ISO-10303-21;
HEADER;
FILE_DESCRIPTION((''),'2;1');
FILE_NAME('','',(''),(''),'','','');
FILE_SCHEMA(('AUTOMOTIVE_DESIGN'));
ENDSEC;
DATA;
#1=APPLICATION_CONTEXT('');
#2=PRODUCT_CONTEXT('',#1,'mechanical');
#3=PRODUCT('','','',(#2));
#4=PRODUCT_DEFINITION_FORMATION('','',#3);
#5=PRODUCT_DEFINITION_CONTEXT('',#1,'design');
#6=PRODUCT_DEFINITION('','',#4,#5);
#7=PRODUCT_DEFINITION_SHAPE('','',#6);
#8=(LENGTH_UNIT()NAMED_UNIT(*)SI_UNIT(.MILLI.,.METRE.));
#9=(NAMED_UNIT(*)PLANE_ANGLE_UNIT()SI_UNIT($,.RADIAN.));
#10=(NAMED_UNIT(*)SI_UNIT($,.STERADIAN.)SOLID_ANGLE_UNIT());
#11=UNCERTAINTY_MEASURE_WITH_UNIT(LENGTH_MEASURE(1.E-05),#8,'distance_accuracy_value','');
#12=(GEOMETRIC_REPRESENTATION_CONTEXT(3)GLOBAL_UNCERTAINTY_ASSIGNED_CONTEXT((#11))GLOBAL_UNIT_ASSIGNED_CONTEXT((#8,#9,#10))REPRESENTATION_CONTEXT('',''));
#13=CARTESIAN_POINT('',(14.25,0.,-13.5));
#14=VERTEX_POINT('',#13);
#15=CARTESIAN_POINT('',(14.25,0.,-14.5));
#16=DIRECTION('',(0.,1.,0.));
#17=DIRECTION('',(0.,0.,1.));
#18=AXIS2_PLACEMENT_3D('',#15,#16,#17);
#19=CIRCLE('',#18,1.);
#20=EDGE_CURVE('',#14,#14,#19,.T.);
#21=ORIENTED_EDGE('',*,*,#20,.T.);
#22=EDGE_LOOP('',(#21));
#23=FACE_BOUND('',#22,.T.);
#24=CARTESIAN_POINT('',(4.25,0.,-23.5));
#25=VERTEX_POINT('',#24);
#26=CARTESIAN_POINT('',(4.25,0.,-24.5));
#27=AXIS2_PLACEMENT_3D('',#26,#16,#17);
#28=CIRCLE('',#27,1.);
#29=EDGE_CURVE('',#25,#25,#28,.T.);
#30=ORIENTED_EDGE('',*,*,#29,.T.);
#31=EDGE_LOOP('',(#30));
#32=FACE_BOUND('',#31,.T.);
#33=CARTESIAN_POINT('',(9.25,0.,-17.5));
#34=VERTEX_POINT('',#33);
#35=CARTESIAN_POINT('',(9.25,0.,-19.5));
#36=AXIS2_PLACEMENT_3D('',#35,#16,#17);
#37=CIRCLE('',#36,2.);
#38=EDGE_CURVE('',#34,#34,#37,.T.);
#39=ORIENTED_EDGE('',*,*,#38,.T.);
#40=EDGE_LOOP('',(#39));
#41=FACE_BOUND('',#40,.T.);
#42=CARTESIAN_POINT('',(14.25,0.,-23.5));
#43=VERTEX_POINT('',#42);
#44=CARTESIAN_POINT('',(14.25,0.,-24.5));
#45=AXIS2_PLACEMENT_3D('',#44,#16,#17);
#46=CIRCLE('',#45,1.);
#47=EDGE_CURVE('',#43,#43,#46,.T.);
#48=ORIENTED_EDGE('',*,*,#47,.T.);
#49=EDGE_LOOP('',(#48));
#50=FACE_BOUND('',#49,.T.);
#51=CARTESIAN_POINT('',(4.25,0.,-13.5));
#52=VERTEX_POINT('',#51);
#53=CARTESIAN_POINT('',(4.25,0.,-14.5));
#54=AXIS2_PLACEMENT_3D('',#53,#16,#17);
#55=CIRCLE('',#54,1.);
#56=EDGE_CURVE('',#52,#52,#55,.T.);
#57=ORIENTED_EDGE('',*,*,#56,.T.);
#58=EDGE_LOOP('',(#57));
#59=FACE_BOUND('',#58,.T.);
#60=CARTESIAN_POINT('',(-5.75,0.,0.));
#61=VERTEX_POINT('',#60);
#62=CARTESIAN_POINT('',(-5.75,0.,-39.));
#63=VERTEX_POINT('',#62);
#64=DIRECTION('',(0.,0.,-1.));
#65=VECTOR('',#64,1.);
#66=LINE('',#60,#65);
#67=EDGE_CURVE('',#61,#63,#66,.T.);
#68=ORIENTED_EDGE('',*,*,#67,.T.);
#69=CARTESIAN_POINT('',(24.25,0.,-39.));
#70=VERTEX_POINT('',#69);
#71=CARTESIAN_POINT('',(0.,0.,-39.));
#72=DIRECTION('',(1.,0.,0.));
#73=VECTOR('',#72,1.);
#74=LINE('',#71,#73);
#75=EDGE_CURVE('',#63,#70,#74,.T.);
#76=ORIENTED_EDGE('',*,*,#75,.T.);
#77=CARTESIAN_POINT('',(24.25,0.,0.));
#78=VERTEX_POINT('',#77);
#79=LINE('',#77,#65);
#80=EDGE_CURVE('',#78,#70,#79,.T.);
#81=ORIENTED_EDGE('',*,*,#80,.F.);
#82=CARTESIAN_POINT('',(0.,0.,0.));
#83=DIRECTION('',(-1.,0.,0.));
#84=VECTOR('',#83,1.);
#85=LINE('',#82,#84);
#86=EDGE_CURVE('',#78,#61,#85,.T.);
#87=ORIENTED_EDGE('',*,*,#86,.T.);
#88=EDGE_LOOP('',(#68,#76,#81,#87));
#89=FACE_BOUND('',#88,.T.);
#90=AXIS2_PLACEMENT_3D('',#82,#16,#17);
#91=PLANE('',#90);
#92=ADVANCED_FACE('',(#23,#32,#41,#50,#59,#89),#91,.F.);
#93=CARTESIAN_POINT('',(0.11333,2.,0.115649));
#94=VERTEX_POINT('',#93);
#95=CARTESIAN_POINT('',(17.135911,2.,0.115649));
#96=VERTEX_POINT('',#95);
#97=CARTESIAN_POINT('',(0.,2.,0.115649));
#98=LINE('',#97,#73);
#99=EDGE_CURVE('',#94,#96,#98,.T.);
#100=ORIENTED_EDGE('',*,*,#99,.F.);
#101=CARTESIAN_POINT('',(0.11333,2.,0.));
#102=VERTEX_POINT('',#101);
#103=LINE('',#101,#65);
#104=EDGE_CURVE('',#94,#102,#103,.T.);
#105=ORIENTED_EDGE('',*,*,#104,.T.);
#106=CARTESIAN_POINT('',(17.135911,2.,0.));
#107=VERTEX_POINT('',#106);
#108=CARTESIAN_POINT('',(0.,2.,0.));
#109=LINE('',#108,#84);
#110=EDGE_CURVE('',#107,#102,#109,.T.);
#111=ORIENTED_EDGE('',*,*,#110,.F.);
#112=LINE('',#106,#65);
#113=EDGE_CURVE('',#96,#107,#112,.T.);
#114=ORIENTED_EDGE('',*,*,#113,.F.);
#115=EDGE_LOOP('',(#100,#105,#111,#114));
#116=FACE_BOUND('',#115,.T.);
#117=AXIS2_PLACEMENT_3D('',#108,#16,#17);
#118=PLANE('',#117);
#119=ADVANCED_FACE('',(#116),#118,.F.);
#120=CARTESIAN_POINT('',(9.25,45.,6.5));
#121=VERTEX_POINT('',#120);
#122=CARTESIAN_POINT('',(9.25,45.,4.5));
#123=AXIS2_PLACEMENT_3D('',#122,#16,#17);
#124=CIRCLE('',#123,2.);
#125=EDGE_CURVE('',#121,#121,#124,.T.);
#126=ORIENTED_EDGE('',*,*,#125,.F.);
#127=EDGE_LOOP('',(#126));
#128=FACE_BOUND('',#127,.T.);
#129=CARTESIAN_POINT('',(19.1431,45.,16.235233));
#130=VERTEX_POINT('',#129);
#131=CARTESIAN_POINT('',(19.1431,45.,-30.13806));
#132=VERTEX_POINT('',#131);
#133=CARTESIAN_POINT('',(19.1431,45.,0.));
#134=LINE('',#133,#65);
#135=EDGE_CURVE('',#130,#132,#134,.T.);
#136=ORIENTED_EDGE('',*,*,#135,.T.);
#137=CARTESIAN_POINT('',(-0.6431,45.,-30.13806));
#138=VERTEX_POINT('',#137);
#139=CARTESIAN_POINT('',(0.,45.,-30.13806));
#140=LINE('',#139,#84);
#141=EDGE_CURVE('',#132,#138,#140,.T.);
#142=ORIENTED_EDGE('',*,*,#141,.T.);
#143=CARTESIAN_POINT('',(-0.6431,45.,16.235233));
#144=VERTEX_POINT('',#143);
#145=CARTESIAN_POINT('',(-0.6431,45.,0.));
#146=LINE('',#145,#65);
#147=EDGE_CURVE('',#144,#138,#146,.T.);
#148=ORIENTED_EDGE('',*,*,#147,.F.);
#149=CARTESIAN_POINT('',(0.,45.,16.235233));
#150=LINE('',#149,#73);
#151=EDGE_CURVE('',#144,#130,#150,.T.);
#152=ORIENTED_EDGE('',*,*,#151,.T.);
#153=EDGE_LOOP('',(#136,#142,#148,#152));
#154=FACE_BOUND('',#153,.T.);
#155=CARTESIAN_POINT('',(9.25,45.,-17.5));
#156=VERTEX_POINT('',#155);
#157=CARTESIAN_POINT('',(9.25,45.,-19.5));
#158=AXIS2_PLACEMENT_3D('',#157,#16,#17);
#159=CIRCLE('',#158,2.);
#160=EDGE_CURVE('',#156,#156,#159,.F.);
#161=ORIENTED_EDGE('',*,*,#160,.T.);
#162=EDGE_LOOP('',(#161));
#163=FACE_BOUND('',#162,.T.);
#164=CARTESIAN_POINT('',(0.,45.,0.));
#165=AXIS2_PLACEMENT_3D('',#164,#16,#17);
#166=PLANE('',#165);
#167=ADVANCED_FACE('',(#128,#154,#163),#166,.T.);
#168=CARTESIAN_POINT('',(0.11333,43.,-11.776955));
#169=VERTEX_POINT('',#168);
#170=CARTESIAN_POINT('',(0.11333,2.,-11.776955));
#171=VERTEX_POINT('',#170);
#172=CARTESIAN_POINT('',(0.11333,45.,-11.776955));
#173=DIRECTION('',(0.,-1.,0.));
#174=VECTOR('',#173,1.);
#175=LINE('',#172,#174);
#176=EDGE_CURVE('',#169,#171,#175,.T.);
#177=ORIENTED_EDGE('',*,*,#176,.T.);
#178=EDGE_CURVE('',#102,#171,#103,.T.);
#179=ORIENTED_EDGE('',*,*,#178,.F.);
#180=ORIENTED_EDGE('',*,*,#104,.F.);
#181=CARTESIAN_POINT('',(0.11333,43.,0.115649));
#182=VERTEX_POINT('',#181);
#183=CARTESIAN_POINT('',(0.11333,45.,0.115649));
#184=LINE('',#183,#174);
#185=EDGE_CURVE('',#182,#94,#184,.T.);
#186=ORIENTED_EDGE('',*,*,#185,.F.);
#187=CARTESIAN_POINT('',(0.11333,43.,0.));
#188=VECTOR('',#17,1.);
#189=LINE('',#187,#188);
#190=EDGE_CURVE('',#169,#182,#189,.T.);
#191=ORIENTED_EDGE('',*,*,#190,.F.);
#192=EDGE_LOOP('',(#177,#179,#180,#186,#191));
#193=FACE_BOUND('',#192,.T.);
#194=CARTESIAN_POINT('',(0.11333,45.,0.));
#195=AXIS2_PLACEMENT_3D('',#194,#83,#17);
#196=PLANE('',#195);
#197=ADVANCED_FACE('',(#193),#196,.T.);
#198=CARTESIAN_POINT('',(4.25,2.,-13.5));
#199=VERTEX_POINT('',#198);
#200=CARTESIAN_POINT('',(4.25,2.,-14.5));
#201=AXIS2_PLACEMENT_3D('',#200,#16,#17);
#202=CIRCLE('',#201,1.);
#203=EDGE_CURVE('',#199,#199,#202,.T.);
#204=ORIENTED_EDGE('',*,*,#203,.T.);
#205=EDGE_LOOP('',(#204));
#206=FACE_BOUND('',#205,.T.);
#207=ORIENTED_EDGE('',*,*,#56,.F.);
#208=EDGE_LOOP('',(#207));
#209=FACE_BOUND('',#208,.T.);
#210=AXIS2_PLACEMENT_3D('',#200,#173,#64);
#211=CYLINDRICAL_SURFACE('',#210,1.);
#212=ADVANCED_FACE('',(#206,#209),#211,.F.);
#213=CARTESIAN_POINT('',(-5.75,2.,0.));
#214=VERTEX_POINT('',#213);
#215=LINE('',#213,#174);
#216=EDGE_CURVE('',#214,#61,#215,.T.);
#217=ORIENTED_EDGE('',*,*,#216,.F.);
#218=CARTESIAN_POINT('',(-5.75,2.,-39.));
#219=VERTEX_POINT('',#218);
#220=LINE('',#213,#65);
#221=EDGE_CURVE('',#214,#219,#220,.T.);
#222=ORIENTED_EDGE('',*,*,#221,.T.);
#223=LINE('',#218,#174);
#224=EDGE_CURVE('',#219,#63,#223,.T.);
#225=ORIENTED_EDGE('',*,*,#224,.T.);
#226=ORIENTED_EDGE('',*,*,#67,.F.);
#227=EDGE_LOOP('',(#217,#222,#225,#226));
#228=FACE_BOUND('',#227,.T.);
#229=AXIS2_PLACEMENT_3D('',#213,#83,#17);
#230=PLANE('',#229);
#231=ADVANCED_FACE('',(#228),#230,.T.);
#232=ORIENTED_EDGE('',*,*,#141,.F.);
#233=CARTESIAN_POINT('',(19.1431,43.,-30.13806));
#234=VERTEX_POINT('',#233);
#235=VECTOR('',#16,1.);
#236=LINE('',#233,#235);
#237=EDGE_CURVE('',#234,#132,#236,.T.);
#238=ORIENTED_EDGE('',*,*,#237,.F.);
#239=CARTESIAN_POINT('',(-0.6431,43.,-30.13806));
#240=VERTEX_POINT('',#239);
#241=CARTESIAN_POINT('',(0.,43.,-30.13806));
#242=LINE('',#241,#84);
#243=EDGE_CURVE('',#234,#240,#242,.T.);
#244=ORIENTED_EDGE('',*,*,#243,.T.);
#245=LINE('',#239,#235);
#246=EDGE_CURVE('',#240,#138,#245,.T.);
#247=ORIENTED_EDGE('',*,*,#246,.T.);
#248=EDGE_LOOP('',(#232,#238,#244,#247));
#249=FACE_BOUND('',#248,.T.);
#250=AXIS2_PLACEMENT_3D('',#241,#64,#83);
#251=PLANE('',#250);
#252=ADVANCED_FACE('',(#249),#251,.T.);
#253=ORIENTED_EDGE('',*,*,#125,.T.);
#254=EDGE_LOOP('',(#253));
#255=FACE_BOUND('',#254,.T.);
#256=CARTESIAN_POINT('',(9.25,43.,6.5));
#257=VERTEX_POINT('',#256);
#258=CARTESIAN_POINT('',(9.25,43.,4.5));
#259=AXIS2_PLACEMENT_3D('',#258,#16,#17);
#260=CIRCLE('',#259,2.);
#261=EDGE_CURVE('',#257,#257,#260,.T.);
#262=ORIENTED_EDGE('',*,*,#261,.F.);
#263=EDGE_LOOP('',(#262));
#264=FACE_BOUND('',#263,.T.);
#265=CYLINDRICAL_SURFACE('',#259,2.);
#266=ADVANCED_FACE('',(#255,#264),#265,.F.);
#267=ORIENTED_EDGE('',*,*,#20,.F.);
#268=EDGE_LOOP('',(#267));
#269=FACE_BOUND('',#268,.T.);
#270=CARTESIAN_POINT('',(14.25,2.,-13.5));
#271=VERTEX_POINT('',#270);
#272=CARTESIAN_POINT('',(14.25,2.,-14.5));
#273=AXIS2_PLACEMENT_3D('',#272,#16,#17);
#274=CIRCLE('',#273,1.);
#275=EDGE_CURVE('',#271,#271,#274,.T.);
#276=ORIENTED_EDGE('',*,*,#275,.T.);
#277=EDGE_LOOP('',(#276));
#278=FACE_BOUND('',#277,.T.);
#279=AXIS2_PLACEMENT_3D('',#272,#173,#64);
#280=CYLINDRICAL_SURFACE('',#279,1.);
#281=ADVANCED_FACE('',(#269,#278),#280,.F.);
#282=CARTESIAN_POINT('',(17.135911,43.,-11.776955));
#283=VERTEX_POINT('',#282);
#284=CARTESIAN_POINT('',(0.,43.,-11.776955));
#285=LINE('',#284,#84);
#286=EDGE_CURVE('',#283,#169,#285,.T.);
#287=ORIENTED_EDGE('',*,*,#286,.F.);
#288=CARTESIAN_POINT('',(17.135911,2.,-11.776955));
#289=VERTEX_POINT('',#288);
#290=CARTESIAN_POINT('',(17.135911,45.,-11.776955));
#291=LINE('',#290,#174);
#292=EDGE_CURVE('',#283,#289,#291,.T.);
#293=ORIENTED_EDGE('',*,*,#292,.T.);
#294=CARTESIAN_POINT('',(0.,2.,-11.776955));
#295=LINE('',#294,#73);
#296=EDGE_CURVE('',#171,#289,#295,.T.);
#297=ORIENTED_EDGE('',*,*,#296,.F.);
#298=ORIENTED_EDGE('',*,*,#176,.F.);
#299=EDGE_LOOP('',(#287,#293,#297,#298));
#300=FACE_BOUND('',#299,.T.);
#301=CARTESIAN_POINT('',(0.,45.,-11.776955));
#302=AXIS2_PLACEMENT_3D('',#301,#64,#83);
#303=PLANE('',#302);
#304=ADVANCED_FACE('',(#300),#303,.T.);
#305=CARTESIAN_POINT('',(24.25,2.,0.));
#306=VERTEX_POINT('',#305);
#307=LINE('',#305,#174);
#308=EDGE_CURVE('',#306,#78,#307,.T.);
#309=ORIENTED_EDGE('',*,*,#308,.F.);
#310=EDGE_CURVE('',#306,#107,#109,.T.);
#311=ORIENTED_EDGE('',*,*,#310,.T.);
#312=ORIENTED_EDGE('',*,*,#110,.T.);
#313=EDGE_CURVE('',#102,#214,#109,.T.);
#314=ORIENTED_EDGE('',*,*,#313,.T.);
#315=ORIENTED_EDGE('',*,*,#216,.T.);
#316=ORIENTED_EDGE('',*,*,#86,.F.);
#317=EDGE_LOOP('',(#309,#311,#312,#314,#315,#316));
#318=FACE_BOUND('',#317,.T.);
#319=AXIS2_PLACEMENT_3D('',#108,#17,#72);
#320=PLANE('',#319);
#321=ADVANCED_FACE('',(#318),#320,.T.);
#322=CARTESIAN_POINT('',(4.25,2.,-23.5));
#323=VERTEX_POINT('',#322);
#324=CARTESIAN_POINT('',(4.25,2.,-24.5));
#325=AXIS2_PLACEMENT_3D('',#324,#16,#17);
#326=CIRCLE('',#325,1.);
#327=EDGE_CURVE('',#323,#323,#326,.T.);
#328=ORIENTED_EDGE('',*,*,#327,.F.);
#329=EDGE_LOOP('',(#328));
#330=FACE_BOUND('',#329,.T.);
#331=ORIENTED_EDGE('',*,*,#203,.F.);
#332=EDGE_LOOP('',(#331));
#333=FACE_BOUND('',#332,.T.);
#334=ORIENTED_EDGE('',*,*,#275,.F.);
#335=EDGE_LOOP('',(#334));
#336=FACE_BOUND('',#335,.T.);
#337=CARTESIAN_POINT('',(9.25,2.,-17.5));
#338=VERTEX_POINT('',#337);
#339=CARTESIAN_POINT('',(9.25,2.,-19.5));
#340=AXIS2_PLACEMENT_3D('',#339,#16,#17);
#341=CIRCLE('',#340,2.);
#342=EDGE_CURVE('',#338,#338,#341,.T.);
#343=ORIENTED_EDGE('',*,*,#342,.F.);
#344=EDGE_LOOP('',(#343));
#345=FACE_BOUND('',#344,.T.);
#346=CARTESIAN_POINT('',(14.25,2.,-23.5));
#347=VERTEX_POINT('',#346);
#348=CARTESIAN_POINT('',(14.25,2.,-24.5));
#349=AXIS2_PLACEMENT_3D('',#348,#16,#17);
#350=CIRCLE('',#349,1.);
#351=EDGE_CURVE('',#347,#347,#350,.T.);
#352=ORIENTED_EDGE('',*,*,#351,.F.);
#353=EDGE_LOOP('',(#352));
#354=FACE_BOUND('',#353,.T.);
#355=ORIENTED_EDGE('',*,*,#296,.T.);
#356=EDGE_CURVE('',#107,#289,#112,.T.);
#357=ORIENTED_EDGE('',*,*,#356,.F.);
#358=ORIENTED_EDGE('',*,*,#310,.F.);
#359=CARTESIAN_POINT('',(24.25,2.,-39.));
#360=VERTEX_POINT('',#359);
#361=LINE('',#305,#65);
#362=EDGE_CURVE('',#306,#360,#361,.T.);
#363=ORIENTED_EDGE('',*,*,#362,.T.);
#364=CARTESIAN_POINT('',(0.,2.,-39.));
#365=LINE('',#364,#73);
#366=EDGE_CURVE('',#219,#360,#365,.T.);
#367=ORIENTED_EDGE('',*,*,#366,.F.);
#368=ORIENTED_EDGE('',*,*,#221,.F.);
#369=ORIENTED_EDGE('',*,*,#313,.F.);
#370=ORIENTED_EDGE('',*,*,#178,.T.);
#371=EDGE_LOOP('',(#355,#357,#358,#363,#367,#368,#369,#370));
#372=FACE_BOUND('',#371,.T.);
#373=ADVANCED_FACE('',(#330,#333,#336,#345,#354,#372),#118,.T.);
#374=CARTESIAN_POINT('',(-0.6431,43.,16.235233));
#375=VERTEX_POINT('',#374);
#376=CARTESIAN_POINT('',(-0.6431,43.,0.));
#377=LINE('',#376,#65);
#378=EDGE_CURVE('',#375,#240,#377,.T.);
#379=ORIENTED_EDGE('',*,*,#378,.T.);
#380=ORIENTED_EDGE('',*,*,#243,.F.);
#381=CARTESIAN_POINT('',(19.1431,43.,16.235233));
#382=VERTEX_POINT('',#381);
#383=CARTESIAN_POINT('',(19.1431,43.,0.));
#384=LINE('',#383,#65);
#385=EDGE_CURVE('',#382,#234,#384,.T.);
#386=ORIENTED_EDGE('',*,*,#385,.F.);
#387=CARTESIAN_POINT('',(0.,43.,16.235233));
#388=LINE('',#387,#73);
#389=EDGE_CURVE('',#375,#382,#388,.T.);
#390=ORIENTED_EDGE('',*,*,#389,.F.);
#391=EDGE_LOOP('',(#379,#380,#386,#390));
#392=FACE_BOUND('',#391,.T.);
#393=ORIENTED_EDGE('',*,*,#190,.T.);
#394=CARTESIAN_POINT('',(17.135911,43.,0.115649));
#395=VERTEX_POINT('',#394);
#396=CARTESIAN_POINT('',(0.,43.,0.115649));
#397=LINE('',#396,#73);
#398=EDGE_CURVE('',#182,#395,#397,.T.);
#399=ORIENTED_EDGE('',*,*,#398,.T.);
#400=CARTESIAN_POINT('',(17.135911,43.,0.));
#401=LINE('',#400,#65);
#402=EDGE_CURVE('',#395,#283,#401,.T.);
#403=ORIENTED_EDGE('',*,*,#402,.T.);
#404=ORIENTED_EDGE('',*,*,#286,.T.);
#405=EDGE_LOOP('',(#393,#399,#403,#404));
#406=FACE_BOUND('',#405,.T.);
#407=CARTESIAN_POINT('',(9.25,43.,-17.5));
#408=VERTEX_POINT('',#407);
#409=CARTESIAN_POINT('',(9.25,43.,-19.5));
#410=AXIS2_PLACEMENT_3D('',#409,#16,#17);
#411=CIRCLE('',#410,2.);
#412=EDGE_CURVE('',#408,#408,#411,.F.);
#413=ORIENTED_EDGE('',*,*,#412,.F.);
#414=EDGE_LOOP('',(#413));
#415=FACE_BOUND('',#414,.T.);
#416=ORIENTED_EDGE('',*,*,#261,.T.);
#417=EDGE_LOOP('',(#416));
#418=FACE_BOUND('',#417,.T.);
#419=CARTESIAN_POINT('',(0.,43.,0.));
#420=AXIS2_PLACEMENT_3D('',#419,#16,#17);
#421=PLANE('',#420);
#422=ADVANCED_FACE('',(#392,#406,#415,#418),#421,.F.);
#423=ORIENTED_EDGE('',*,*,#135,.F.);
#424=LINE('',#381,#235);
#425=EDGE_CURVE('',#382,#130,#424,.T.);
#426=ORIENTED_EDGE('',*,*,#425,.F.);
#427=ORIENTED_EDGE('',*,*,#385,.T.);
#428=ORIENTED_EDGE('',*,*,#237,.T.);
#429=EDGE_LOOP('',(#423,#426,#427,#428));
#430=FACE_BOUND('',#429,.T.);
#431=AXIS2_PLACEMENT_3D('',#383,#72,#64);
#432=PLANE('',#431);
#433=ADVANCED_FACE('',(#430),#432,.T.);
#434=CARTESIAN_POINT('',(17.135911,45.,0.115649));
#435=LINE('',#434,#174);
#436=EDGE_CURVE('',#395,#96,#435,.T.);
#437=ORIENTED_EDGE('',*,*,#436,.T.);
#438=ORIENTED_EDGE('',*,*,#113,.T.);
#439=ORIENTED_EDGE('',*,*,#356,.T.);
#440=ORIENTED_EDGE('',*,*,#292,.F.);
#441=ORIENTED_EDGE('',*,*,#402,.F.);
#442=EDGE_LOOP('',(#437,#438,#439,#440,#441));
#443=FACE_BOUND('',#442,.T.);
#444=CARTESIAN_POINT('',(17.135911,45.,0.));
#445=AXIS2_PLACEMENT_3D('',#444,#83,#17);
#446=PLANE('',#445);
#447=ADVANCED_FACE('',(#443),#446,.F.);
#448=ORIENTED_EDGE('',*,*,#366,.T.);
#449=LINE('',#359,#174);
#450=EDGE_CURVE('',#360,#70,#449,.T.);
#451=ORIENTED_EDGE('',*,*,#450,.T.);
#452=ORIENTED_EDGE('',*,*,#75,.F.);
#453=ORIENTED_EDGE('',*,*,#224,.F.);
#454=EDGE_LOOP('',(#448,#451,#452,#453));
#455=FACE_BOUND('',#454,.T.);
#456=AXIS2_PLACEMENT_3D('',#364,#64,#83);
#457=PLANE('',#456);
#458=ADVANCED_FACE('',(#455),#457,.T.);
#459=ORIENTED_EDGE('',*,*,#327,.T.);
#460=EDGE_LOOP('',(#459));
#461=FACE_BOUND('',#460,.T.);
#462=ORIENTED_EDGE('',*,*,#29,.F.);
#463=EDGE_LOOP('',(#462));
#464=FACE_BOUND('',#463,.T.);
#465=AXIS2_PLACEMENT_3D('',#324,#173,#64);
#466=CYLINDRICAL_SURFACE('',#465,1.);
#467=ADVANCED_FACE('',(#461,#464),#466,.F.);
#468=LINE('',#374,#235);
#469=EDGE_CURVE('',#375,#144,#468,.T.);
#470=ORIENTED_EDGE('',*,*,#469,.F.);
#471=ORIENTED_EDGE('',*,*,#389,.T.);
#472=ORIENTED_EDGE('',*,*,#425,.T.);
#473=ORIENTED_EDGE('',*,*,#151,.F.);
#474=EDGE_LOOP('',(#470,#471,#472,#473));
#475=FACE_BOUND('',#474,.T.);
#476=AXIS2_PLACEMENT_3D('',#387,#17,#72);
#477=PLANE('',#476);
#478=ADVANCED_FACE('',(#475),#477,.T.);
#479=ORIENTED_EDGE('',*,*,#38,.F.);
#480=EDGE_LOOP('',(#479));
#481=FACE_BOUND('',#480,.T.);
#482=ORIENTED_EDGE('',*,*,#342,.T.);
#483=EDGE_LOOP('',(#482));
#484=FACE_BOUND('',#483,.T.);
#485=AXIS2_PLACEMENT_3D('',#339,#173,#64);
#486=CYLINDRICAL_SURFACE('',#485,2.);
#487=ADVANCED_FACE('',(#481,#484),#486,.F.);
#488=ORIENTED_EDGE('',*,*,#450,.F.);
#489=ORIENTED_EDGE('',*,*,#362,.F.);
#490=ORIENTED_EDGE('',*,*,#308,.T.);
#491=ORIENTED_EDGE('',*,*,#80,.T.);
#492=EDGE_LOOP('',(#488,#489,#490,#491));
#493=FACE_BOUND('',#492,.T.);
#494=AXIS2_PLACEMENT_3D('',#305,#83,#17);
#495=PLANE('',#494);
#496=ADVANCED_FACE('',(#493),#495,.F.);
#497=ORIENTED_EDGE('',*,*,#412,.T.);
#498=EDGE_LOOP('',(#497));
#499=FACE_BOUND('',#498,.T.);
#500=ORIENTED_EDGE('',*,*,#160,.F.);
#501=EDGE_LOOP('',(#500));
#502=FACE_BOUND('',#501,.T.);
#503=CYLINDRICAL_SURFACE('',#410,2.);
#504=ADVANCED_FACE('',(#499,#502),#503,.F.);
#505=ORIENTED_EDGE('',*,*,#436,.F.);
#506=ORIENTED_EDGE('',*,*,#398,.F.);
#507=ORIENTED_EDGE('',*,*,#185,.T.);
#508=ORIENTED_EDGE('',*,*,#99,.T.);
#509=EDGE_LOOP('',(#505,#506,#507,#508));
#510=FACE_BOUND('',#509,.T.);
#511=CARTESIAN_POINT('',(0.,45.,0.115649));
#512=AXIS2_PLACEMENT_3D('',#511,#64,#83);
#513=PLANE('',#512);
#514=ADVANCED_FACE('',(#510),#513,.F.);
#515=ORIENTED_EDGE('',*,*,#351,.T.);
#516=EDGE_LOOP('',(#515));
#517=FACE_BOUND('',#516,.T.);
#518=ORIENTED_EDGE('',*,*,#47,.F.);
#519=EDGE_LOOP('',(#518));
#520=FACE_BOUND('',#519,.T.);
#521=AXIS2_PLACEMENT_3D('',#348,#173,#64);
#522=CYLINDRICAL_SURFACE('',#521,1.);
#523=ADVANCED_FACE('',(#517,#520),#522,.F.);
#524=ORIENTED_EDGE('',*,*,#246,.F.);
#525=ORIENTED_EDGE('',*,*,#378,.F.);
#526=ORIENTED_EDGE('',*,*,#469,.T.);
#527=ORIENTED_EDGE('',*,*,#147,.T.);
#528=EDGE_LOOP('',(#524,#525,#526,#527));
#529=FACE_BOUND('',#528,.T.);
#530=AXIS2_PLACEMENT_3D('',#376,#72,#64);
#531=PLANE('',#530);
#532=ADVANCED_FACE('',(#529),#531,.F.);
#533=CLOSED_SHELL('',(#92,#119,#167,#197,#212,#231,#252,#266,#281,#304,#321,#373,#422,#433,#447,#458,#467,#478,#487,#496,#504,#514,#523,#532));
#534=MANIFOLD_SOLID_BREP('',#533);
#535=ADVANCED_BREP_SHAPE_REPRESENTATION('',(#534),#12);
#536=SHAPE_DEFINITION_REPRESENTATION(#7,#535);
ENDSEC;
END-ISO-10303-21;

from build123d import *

# Parameters (mm, degrees)
SKETCH_1_W      = 30
SKETCH_1_H      = 39
SKETCH_1_R      = 2
SKETCH_1_R_2    = 1
EXTRUDE_1_DEPTH = 2
SKETCH_2_W      = 17.022580328
SKETCH_2_H      = 11.892604249
EXTRUDE_2_DEPTH = 43
EXTRUDE_START   = -2
SKETCH_3_W      = 19.786200008
SKETCH_3_H      = 46.373293121
SKETCH_3_R      = 2
EXTRUDE_3_DEPTH = 2


with BuildPart() as part:
    # 草图1 → 凸台-拉伸1 (new body)
    with BuildSketch(Plane(origin=(0, 0, 0), x_dir=(1, 0, 0), z_dir=(0, 1, 0))):
        with Locations((9.25, 19.5)):
            Rectangle(SKETCH_1_W, SKETCH_1_H)
        with Locations((9.25, 19.5)):
            Circle(SKETCH_1_R, mode=Mode.SUBTRACT)
        with Locations((4.25, 24.5)):
            Circle(SKETCH_1_R_2, mode=Mode.SUBTRACT)
        with Locations((14.25, 24.5)):
            Circle(SKETCH_1_R_2, mode=Mode.SUBTRACT)
        with Locations((4.25, 14.5)):
            Circle(SKETCH_1_R_2, mode=Mode.SUBTRACT)
        with Locations((14.25, 14.5)):
            Circle(SKETCH_1_R_2, mode=Mode.SUBTRACT)
    extrude(amount=EXTRUDE_1_DEPTH)

    # 草图2 → 凸台-拉伸2 (add)
    with BuildSketch(Plane(origin=(0, 2, 0), x_dir=(1, 0, 0), z_dir=(0, 1, 0))):
        with Locations((8.624620537, 5.830652978)):
            Rectangle(SKETCH_2_W, SKETCH_2_H)
    extrude(amount=EXTRUDE_2_DEPTH)

    # 草图3 → 凸台-拉伸3 (add)
    with BuildSketch(Plane(origin=(0, 45, 0), x_dir=(1, 0, 0), z_dir=(0, 1, 0)).offset(EXTRUDE_START)):
        with Locations((9.25, 6.951413881)):
            Rectangle(SKETCH_3_W, SKETCH_3_H)
        with Locations((9.25, -4.5)):
            Circle(SKETCH_3_R, mode=Mode.SUBTRACT)
        with BuildLine():
            ThreePointArc((9.25, 21.5), (10.664213562, 20.914213562), (11.25, 19.5))
            ThreePointArc((11.25, 19.5), (7.835786438, 18.085786438), (9.25, 21.5))
        make_face(mode=Mode.SUBTRACT)
    extrude(amount=EXTRUDE_3_DEPTH)


solid = part.part
